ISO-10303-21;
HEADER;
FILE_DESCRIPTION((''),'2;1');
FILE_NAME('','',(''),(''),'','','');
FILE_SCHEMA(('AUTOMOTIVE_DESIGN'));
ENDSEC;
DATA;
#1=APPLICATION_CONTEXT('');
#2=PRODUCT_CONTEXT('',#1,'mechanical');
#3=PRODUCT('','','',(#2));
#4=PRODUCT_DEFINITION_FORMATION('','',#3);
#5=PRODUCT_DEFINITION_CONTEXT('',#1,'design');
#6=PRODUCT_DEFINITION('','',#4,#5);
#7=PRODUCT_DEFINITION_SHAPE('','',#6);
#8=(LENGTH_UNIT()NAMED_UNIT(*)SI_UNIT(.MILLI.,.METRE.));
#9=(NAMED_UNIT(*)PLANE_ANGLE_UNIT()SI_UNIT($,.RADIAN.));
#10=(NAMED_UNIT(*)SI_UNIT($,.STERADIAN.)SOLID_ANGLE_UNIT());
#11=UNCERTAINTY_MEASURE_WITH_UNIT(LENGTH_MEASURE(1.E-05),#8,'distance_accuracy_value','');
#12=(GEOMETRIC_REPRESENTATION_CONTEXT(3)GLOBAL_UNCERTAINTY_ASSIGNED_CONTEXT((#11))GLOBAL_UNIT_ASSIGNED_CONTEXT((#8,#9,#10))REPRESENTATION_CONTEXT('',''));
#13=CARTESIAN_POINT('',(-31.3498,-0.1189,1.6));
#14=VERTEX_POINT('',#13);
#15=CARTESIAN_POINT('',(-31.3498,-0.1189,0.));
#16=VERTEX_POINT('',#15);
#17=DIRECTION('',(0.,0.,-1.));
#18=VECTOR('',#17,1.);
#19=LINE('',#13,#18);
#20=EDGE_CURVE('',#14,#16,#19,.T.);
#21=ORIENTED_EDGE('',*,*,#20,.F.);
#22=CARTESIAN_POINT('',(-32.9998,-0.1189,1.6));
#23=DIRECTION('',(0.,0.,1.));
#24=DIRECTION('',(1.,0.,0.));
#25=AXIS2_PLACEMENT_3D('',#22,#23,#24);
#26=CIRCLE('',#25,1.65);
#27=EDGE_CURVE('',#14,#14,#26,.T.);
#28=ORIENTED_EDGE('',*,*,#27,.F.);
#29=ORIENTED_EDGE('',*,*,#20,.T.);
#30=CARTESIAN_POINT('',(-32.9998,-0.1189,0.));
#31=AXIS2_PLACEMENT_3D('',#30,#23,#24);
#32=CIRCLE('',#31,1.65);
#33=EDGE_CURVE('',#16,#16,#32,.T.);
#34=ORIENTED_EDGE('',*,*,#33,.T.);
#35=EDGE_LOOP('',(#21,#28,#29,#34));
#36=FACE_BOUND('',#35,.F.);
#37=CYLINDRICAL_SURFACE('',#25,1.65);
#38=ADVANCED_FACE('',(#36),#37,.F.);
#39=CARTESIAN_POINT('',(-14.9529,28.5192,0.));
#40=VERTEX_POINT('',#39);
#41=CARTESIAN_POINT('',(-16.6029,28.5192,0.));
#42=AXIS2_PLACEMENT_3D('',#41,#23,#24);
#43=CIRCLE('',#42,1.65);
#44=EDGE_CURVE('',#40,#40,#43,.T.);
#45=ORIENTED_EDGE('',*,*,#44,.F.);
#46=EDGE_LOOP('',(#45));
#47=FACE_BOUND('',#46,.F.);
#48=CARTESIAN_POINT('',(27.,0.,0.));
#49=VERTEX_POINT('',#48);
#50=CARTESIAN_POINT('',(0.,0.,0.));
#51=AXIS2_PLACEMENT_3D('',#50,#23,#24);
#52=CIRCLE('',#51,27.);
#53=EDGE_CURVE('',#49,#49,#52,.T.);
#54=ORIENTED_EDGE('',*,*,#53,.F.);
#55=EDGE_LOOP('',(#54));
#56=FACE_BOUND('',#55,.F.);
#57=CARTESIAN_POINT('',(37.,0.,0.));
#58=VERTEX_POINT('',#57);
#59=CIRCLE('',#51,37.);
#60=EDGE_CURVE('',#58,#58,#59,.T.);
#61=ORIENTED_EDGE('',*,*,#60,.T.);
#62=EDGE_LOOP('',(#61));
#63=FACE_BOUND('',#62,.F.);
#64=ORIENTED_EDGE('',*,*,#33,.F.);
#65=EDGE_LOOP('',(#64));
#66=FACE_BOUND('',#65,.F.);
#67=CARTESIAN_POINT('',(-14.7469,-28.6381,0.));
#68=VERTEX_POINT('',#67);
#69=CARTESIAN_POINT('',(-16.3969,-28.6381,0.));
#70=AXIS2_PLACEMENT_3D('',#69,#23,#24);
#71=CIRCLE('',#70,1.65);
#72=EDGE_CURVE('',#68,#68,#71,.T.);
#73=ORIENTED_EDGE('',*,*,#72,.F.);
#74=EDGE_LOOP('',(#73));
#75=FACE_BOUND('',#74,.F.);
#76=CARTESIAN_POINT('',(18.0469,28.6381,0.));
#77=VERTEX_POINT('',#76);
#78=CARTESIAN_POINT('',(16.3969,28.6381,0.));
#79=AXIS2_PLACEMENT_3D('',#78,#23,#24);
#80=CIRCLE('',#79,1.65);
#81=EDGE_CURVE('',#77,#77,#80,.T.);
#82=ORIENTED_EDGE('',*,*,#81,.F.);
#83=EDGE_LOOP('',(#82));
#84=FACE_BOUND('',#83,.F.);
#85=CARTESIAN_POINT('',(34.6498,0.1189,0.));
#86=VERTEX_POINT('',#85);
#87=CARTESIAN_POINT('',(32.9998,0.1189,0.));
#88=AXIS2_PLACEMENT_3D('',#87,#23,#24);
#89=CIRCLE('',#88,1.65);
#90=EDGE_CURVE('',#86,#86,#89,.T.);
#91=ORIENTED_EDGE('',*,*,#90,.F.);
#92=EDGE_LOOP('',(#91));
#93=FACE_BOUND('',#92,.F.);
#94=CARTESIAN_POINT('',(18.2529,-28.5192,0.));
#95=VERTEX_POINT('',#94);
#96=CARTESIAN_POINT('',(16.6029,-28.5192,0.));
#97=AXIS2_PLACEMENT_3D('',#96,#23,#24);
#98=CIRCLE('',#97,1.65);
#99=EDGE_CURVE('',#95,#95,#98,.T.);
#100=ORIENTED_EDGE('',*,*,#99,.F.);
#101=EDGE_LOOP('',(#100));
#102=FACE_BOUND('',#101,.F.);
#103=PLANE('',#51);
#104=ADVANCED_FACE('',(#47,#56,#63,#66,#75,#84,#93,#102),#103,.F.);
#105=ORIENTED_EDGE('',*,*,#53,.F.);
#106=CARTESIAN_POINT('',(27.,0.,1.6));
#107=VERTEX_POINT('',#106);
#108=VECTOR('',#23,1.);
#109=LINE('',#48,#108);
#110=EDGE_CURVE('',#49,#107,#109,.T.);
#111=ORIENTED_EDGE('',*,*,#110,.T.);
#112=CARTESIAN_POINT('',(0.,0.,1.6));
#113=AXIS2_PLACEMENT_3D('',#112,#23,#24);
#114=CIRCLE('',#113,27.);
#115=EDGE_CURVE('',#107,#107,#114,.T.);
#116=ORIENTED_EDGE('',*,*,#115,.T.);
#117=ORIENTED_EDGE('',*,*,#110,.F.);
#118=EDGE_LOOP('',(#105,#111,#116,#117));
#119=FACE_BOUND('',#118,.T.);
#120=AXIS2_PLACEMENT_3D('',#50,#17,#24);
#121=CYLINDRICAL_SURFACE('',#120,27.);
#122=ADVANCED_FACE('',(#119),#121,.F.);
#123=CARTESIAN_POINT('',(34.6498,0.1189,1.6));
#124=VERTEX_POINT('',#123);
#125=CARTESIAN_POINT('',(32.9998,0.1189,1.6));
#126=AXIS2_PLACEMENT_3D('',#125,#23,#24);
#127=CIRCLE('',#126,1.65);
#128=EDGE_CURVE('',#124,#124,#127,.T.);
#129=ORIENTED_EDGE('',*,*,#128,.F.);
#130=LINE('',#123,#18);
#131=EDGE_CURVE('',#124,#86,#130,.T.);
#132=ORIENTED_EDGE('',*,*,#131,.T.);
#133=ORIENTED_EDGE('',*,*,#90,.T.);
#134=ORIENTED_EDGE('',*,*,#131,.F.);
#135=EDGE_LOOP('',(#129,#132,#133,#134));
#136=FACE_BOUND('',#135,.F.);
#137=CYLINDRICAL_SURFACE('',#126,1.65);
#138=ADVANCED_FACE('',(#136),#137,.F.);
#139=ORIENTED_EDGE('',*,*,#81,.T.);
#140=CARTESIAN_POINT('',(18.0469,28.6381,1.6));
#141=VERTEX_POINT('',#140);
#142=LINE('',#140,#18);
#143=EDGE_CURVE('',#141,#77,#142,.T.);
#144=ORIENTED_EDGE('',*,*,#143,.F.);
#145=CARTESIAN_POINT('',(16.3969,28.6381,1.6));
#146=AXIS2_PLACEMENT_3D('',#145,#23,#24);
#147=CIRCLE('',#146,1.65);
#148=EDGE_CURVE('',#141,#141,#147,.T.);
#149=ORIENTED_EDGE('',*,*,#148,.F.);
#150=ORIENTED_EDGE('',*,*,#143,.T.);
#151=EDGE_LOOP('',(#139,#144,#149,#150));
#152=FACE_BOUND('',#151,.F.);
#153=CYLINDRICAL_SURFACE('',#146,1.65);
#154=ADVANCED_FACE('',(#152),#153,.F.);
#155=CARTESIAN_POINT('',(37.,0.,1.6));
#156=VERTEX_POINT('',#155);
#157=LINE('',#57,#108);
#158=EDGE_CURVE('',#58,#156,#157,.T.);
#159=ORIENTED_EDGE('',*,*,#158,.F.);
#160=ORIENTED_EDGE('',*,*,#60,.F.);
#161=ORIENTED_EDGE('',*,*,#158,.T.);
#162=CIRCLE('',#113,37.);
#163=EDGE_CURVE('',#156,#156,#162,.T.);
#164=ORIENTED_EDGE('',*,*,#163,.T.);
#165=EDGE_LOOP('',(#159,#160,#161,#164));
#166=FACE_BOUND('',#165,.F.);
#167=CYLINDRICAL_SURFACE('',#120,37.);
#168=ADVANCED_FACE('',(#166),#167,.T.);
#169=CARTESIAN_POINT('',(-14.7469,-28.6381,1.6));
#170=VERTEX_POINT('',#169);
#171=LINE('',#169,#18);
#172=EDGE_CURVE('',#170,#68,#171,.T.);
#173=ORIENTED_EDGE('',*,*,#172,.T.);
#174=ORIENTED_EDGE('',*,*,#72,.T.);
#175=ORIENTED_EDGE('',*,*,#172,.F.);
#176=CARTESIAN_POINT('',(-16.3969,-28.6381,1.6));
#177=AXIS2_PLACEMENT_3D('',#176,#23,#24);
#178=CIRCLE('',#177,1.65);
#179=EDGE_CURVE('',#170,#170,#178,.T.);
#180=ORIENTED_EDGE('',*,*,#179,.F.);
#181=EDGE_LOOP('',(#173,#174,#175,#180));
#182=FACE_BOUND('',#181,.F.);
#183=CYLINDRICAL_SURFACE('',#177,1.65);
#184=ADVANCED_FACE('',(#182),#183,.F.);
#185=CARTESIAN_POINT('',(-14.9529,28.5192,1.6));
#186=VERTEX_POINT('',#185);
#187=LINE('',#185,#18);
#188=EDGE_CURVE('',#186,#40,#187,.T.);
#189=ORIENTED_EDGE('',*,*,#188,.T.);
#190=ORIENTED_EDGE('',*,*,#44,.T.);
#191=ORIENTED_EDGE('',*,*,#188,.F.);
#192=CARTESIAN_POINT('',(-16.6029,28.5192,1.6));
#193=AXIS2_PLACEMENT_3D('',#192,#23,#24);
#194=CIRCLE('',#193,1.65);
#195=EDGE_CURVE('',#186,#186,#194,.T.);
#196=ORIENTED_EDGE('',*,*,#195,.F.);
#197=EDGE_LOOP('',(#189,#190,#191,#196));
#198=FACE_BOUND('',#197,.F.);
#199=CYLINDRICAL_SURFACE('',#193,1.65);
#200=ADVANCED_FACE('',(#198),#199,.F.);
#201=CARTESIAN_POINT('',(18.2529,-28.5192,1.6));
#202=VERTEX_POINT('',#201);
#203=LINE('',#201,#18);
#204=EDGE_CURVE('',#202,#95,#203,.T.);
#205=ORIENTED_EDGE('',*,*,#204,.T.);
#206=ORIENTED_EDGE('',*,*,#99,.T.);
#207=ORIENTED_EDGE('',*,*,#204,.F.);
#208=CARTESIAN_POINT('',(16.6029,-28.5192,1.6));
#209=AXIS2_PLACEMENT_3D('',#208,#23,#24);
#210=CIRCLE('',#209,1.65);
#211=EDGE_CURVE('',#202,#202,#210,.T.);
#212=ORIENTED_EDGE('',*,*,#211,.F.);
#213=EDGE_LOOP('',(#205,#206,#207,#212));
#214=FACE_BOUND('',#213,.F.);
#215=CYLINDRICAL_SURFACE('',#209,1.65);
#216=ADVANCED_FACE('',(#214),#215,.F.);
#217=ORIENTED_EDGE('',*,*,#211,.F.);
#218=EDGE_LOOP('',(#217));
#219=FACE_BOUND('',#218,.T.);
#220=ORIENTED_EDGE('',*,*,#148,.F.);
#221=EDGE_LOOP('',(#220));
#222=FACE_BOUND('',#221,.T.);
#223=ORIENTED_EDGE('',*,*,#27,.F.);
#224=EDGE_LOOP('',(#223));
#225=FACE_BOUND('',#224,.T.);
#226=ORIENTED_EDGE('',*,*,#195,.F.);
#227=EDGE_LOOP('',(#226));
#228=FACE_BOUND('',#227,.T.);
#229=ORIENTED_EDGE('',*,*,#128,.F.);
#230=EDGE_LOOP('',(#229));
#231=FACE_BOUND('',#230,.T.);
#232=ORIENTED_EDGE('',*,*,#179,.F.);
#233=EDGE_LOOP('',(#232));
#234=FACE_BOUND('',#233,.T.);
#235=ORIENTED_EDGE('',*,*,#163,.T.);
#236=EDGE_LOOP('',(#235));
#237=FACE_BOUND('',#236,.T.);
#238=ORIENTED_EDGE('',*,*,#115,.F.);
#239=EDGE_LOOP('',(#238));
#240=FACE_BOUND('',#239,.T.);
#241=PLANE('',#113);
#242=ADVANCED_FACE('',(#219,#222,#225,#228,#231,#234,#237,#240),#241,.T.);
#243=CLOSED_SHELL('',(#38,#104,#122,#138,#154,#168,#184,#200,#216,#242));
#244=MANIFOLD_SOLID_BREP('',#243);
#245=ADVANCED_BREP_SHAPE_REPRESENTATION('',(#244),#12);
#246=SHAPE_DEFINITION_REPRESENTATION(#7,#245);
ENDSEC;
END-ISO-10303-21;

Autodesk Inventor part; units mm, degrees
ref_plane "YZ Plane" through (0, 0, 0) normal (1, 0, 0) x (0, 1, 0)
ref_plane "XZ Plane" through (0, 0, 0) normal (0, 1, 0) x (-1, 0, 0)
ref_plane "XY Plane" through (0, 0, 0) normal (0, 0, 1) x (1, 0, 0)
sketch "Sketch1" plane through (0, 0, 0) normal (0, 0, 1) x (1, 0, 0)
  circle A0 centre (0, 0) radius 29
  circle A1 centre (0, 0) radius 27
  circle A2 centre (0, 0) radius 37
  dimension "d0" = 58
  dimension "d1" = 2
  dimension "d2" = 8
extrude "Extrusion1" add sketch "Sketch1" along normal blind 1.6 contours A0 | A2
sketch "Sketch2" plane through (0, 0, 1.6) normal (0, 0, 1) x (1, 0, 0)
  circle A0 centre (-32.9998, -0.1189) radius 1.25 projected
  circle A1 centre (-16.3969, -28.6381) radius 1.25 projected
  circle A2 centre (-16.6029, 28.5192) radius 1.25 projected
  circle A3 centre (16.3969, 28.6381) radius 1.25 projected
  circle A4 centre (16.6029, -28.5192) radius 1.25 projected
  circle A5 centre (32.9998, 0.1189) radius 1.25 projected
  circle A6 centre (-32.9998, -0.1189) radius 1.65
  circle A7 centre (-16.3969, -28.6381) radius 1.65
  circle A8 centre (16.6029, -28.5192) radius 1.65
  circle A9 centre (32.9998, 0.1189) radius 1.65
  circle A10 centre (16.3969, 28.6381) radius 1.65
  circle A11 centre (-16.6029, 28.5192) radius 1.65
  point P0 (0, 0)
  dimension "d5" = 3.3
  dimension "d8" = 360
extrude "Extrusion2" cut sketch "Sketch2" against normal through all contours A0 | A1 | A2 | A3 | A4 | A5 | A6 | A7 | A8 | A9 | A10 | A11
properties part number "stator_mount_ret"
